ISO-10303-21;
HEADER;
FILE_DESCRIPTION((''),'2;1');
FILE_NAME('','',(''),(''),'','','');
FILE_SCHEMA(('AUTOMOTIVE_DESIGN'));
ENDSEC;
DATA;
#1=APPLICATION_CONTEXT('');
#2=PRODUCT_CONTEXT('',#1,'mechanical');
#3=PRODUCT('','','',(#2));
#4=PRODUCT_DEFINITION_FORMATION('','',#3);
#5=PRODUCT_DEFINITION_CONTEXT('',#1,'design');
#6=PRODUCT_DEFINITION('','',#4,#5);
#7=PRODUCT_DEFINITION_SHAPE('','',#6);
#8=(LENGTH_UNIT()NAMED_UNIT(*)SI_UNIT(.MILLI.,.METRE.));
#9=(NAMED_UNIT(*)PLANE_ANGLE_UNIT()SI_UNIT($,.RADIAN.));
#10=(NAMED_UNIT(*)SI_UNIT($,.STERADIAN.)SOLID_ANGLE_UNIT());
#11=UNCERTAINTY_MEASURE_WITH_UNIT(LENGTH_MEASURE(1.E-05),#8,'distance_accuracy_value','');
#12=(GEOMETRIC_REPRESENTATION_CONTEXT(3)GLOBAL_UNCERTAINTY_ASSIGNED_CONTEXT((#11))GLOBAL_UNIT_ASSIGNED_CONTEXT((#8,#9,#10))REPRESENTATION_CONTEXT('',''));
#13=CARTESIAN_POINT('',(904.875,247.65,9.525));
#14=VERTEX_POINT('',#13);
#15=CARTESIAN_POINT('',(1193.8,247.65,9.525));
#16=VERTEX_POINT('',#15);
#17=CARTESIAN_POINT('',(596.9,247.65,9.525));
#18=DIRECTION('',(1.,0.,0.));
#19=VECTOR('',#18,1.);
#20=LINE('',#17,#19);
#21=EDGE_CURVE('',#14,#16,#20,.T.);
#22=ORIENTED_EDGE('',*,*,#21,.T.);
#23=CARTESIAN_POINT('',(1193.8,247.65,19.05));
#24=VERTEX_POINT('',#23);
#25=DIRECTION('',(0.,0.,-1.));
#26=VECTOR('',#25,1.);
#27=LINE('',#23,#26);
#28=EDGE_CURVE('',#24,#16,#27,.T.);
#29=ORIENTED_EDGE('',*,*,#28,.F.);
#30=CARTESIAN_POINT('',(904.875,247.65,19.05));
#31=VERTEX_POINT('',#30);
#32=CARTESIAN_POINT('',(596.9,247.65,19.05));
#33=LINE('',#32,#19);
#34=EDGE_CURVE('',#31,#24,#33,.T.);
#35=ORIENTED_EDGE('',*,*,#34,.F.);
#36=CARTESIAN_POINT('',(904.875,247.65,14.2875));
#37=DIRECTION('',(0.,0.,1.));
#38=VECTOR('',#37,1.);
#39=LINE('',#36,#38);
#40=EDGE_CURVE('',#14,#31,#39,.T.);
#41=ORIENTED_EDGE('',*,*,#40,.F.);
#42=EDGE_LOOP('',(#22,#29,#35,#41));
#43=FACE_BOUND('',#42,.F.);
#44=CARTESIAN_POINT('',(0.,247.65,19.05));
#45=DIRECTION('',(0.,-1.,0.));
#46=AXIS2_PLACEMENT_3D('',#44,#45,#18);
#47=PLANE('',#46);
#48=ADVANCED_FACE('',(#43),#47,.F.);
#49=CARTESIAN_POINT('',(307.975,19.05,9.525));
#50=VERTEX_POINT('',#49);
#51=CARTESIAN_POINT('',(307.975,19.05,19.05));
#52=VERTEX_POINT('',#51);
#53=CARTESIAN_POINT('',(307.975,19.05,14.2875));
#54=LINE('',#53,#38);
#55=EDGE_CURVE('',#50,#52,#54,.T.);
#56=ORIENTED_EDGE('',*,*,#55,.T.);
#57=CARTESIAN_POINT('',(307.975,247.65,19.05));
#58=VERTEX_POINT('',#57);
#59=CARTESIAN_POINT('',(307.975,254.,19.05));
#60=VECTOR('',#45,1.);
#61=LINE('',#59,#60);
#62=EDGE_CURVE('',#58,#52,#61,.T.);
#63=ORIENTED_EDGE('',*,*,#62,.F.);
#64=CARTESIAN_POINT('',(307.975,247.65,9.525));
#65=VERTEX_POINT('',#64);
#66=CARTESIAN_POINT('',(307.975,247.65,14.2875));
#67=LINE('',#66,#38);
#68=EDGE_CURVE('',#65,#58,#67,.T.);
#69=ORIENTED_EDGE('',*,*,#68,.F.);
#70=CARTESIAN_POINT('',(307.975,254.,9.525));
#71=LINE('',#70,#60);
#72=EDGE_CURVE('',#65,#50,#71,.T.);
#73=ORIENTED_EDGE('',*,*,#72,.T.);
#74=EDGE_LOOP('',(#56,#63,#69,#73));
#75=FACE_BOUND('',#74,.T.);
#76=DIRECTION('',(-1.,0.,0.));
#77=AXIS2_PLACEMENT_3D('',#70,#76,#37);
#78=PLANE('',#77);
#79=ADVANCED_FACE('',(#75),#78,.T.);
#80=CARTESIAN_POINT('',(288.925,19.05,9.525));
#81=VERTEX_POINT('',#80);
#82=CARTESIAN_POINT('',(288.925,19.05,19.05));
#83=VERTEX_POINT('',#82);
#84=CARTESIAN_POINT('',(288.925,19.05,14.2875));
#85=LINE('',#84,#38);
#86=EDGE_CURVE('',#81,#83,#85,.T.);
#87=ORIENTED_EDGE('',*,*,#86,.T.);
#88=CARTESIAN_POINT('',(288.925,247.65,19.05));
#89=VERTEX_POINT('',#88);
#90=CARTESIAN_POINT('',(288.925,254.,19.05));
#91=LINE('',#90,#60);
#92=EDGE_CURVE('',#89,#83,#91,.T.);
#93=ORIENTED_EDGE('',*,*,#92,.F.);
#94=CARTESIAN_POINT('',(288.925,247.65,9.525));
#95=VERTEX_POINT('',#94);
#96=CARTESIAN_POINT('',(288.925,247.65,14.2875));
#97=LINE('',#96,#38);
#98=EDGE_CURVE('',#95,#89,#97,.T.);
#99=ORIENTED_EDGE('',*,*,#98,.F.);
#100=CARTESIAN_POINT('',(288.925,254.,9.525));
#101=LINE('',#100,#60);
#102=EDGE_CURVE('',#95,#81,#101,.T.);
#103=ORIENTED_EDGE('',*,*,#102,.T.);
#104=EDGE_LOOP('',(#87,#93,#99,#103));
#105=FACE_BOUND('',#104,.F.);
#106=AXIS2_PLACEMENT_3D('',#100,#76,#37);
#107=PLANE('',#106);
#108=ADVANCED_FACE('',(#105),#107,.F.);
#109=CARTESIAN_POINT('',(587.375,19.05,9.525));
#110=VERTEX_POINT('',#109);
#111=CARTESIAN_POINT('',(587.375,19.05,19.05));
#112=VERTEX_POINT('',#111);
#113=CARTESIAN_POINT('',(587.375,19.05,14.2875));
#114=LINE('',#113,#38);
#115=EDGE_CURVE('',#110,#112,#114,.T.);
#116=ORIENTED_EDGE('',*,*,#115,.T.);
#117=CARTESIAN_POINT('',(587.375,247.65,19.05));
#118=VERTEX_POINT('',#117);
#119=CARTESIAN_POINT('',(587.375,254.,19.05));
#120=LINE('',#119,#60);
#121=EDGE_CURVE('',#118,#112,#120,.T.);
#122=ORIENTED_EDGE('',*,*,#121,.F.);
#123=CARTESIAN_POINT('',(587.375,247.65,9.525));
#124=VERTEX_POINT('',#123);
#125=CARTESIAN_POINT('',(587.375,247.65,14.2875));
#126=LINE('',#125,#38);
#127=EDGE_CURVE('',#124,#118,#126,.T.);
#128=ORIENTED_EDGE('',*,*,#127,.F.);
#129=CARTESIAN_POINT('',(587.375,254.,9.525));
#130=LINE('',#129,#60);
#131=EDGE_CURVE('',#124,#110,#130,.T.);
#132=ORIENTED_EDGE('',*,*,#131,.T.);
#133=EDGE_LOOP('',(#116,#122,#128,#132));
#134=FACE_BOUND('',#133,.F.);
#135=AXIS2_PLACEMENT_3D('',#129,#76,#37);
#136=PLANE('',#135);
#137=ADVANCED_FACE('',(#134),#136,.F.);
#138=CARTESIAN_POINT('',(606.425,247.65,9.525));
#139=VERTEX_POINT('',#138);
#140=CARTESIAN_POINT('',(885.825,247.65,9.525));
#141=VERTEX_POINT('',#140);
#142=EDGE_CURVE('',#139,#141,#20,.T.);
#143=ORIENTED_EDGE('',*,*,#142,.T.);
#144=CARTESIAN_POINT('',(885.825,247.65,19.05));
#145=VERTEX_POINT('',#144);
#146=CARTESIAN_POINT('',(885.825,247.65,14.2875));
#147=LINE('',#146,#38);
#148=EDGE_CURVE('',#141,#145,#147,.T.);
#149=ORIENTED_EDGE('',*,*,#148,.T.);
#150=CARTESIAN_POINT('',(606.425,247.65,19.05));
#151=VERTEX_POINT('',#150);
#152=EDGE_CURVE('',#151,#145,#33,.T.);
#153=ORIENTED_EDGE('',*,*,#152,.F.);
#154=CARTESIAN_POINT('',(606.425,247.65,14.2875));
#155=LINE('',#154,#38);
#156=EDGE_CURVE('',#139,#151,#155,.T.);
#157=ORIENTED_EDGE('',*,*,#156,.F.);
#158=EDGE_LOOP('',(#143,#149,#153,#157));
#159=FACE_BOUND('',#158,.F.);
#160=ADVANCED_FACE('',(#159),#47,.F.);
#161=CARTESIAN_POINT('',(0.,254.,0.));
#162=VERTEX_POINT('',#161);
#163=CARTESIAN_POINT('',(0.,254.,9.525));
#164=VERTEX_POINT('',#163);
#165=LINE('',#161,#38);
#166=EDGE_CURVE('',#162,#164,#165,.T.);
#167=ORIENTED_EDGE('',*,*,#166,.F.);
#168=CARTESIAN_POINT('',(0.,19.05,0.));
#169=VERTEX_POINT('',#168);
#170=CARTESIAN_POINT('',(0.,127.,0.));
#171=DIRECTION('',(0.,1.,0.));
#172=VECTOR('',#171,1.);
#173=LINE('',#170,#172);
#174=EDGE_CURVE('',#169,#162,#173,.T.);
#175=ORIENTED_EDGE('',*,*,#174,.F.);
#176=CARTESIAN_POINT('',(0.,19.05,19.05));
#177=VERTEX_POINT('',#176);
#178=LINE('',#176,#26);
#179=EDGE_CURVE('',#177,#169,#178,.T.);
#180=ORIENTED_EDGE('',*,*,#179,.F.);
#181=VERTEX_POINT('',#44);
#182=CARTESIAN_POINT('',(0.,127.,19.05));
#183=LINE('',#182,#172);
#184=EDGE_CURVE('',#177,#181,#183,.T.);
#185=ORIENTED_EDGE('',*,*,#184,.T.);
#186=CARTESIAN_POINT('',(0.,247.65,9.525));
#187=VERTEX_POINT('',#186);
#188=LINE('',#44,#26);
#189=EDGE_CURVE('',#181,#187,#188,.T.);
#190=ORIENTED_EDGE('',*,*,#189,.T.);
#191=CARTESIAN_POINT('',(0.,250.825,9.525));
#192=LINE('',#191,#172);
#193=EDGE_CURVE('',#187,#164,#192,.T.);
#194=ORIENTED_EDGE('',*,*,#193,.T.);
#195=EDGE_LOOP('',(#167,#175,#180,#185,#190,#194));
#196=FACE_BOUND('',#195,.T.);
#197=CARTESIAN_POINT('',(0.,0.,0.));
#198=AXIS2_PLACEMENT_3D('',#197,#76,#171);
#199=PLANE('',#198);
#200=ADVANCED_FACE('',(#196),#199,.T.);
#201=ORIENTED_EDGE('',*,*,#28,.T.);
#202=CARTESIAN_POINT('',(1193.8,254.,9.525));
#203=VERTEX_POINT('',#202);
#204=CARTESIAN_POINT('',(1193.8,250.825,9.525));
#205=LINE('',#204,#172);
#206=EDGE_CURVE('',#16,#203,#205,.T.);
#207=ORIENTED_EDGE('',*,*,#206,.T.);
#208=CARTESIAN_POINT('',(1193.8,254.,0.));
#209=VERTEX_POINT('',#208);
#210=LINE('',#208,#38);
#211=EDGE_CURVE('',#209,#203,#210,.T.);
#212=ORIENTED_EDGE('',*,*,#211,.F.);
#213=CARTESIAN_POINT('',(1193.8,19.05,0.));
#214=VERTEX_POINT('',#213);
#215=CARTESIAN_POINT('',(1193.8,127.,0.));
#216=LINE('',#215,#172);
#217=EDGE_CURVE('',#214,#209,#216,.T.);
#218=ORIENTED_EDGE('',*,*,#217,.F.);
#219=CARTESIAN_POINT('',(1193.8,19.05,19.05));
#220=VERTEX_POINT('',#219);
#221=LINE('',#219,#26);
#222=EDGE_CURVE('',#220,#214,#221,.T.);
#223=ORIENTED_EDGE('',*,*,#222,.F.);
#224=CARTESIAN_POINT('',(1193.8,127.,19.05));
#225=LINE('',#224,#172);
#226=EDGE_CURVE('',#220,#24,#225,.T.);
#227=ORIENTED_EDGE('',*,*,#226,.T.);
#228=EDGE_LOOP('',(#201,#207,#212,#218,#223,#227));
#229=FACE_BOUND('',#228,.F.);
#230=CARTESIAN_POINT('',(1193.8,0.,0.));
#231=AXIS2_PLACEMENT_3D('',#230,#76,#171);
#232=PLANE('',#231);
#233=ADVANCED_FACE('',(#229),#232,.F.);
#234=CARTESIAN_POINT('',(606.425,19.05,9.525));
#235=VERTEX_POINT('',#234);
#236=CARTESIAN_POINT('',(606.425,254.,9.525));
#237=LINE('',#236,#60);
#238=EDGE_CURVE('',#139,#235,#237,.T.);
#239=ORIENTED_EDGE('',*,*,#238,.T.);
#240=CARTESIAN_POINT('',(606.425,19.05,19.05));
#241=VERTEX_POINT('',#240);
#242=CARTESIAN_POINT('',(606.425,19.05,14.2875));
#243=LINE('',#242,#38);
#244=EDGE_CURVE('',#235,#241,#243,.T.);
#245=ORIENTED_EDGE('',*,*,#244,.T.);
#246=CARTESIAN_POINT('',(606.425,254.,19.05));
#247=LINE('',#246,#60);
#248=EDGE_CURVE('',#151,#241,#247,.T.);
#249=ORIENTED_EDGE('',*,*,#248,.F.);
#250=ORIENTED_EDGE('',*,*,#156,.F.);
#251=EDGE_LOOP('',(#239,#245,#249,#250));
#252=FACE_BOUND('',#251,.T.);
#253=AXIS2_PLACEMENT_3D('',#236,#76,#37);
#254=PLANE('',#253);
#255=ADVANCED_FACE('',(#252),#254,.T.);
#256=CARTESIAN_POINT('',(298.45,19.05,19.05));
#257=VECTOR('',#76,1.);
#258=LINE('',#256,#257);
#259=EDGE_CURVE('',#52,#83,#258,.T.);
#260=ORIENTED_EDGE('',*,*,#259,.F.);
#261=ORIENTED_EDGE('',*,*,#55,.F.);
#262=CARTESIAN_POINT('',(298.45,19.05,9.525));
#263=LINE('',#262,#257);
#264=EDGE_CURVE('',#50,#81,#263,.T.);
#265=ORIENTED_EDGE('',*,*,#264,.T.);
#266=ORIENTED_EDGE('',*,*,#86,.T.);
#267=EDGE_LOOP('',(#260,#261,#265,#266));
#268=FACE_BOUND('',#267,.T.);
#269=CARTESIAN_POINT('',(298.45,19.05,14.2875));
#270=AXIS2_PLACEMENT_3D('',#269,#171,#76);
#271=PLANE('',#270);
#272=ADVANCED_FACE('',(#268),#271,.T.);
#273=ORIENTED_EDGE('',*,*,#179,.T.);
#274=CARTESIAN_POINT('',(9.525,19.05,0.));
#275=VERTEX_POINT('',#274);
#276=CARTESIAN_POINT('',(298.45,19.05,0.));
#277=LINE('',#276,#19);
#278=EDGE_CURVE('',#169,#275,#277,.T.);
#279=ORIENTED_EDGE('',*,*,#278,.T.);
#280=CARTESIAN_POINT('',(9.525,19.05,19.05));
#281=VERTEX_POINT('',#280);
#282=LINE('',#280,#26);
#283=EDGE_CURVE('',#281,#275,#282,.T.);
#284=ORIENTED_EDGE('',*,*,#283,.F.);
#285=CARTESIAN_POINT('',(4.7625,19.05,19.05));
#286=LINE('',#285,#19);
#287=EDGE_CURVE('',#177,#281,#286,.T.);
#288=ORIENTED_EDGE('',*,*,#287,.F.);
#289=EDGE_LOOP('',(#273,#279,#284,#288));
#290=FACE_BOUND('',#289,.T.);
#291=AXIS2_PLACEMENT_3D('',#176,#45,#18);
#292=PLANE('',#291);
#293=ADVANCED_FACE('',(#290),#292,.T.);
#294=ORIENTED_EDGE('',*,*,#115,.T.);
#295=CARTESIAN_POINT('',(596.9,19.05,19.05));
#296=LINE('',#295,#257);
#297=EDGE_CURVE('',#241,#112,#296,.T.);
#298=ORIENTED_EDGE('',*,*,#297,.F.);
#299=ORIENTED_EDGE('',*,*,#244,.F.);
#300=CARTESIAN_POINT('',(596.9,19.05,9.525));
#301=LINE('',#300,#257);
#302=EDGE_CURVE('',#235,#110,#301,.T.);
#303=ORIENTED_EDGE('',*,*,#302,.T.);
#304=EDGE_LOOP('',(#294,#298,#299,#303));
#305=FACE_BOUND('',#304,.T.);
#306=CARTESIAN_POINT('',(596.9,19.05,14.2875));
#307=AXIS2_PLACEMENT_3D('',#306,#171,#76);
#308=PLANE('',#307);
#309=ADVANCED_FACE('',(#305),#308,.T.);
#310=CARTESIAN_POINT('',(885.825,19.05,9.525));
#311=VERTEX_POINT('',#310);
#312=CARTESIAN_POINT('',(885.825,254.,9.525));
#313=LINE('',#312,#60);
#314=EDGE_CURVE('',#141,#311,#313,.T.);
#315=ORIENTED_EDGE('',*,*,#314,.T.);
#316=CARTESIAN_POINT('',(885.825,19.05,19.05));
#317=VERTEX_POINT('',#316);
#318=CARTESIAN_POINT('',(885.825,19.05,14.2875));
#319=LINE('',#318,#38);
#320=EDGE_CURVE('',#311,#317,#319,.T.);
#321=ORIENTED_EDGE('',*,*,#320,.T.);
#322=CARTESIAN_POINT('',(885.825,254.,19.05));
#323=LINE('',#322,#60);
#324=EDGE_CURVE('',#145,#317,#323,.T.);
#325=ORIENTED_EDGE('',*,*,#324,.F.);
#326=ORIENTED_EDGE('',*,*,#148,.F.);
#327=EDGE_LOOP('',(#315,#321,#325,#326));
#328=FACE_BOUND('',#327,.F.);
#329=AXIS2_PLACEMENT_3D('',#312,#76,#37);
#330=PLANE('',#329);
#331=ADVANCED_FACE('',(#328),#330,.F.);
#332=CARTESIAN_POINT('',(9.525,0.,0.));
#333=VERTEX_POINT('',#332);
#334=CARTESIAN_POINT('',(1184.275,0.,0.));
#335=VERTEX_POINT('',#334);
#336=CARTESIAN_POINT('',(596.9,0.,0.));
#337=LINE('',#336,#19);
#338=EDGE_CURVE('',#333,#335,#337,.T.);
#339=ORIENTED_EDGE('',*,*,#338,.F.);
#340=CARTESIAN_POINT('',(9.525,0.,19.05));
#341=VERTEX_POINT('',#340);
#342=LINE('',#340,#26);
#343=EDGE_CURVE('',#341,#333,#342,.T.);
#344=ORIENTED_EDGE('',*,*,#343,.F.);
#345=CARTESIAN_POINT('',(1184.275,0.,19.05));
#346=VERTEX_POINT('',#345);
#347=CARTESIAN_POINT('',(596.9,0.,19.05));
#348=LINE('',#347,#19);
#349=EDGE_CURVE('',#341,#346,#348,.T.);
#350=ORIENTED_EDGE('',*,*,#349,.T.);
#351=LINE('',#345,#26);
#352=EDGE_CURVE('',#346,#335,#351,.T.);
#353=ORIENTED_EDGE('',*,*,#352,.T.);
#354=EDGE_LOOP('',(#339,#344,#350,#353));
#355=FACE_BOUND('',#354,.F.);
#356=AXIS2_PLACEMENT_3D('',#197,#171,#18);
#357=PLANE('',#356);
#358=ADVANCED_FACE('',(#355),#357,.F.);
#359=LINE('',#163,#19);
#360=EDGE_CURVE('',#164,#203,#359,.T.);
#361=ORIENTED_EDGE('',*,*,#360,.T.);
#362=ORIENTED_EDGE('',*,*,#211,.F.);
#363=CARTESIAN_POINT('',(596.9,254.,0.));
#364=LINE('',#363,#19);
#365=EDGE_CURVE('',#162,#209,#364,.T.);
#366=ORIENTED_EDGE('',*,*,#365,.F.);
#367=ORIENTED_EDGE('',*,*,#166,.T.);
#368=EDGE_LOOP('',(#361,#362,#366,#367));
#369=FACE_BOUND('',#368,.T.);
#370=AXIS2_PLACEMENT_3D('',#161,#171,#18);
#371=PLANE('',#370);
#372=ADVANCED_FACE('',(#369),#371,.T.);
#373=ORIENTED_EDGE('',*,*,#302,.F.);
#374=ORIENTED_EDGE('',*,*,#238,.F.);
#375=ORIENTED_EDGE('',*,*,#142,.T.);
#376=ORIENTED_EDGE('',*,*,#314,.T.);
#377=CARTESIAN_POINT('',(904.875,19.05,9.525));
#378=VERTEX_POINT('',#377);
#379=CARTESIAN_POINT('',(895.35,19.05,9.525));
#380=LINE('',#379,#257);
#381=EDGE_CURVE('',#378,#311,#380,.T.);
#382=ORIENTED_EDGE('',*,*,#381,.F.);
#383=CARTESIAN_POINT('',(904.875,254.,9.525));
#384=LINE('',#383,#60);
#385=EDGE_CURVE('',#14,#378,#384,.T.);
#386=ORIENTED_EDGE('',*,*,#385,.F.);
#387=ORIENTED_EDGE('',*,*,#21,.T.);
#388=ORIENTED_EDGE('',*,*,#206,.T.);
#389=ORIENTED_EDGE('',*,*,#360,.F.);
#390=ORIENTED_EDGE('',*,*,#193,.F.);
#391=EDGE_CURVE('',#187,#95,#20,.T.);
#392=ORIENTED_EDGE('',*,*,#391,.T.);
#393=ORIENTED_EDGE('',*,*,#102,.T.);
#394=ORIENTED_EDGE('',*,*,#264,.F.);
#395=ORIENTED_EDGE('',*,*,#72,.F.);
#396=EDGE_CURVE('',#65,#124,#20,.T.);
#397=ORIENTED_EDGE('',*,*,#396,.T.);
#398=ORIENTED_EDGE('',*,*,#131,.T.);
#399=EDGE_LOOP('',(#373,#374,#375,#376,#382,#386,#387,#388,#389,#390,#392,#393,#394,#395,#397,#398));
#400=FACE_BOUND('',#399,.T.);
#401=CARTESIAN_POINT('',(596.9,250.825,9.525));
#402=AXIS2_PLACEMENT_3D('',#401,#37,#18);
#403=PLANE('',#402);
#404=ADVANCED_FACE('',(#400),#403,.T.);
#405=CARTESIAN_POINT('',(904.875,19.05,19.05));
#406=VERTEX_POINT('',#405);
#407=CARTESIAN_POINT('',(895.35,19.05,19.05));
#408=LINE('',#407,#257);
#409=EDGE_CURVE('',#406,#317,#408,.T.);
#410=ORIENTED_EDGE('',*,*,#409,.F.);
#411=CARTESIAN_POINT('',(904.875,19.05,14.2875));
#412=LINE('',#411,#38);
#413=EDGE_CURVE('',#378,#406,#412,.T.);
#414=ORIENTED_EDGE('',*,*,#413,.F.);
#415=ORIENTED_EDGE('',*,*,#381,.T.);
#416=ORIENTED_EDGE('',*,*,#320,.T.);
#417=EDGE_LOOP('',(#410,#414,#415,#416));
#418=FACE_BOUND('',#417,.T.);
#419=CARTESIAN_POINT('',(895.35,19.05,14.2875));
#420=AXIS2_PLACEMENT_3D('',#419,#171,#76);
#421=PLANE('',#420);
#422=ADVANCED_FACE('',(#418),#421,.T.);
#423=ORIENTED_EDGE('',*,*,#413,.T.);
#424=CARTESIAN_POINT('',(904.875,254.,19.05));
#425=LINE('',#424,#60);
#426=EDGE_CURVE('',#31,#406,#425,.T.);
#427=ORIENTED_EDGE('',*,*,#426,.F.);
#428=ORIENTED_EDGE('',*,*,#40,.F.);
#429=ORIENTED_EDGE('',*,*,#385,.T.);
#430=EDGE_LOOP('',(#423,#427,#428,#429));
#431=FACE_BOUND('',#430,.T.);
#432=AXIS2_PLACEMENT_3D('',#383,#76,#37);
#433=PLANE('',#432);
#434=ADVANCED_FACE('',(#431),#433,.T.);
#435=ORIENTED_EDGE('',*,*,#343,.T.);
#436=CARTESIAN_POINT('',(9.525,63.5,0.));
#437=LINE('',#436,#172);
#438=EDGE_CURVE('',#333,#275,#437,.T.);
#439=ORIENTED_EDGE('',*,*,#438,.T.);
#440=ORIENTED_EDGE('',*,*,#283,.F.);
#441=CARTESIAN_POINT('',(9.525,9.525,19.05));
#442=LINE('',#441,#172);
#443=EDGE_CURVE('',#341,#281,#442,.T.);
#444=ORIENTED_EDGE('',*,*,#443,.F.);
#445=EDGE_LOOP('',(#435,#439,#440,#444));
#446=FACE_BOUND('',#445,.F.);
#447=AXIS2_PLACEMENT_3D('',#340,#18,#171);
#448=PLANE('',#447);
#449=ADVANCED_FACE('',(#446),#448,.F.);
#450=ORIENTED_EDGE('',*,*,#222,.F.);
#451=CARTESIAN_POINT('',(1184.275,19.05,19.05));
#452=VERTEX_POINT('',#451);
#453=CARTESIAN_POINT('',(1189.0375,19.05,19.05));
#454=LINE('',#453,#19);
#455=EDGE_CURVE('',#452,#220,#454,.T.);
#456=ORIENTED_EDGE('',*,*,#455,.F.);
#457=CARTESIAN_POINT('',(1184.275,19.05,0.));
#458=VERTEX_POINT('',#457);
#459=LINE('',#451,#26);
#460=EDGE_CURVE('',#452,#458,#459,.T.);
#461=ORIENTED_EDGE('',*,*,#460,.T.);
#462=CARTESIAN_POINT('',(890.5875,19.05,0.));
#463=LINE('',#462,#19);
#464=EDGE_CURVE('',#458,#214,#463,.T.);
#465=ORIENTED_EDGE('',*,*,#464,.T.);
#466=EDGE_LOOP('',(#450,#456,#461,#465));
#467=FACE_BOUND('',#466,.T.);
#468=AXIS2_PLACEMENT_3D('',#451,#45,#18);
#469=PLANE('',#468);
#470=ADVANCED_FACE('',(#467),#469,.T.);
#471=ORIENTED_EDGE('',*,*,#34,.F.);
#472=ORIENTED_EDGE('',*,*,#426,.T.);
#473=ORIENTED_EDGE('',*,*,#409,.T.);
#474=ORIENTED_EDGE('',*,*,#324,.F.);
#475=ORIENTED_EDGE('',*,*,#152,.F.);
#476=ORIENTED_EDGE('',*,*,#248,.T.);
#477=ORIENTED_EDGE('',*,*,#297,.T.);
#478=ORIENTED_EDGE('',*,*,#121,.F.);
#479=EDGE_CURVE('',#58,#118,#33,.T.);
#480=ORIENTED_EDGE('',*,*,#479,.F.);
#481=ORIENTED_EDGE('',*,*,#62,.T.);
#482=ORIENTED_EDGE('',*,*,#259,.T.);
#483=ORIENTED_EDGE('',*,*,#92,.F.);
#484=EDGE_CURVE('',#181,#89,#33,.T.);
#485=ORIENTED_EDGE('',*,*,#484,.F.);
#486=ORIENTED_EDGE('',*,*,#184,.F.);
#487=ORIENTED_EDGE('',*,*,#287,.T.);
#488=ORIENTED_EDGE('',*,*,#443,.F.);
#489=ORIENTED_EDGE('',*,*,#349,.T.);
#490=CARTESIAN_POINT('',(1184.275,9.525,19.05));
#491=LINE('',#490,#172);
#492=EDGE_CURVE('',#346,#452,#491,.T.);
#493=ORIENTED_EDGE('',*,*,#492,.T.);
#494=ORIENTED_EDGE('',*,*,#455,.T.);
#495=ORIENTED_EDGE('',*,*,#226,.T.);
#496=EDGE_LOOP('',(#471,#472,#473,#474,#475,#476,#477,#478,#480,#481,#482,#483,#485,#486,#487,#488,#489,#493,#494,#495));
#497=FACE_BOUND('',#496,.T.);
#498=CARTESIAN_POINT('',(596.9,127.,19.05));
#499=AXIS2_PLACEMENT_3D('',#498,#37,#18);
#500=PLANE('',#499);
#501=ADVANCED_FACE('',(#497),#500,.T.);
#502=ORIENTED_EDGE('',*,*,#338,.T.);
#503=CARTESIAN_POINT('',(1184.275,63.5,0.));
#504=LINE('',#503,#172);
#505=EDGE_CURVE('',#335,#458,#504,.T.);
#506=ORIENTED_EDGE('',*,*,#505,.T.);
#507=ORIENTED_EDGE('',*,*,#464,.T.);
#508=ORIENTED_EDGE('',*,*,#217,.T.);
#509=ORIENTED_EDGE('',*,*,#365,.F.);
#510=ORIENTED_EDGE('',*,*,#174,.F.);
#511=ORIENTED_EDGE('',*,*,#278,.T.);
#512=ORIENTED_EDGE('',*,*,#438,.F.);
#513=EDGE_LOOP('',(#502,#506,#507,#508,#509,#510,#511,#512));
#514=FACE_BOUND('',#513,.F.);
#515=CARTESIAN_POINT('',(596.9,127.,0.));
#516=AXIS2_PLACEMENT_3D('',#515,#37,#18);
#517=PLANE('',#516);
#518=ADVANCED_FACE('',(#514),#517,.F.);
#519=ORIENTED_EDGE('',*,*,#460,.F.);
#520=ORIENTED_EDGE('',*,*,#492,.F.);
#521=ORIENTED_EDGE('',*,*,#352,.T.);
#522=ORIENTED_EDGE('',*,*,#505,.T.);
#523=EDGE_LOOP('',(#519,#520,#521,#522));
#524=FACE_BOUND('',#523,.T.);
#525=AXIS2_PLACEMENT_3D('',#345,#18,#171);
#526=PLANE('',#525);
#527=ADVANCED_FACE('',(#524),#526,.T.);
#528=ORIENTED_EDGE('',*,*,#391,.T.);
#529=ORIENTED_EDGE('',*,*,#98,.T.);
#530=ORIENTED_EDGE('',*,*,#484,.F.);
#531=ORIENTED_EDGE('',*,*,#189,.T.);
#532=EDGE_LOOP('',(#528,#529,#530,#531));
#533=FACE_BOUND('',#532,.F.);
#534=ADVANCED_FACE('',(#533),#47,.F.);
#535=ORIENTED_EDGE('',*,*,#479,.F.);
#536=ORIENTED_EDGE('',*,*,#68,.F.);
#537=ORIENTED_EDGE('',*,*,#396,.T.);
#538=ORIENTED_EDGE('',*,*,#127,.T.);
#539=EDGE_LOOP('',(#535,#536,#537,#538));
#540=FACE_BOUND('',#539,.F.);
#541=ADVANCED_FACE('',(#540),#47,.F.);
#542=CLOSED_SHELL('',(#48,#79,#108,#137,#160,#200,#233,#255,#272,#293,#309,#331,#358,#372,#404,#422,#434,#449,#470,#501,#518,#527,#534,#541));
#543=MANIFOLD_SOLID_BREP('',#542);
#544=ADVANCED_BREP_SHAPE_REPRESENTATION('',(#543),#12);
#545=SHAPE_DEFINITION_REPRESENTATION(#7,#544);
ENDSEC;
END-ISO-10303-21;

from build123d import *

# Parameters (mm, degrees)
F0_W     = 1193.8
F0_H     = 254
F1_DEPTH = 19.05
F2_W     = 19.05
F2_H     = 9.525
F3_DEPTH = 234.95
F4_W     = 1193.8
F4_H     = 6.35
F5_DEPTH = 9.525
F6_W     = 9.525
F6_H     = 19.05
F7_DEPTH = 25.4


with BuildPart() as f1:
    # F0 (on Top) → F1 (new body)
    with BuildSketch(Plane.XY):
        with Locations((596.9, 127)):
            Rectangle(F0_W, F0_H)
    extrude(amount=F1_DEPTH)

    # F2 (on face) → F3 (cut)
    with BuildSketch(Plane(origin=(0, 254, 0), x_dir=(-1, 0, 0), z_dir=(0, 1, 0))):
        with Locations((-298.45, 14.2875)):
            Rectangle(F2_W, F2_H)
        with Locations((-596.9, 14.2875)):
            Rectangle(F2_W, F2_H)
        with Locations((-895.35, 14.2875)):
            Rectangle(F2_W, F2_H)
    extrude(amount=-F3_DEPTH, mode=Mode.SUBTRACT)

    # F4 (on face) → F5 (cut)
    with BuildSketch(Plane.XY.offset(19.05)):
        with Locations((596.9, 250.825)):
            Rectangle(F4_W, F4_H)
    extrude(amount=-F5_DEPTH, mode=Mode.SUBTRACT)

    # F6 (on face) → F7 (cut)
    with BuildSketch(Plane.XY.offset(19.05)):
        with Locations((4.7625, 9.525)):
            Rectangle(F6_W, F6_H)
        with Locations((1189.0375, 9.525)):
            Rectangle(F6_W, F6_H)
    extrude(amount=-F7_DEPTH, mode=Mode.SUBTRACT)


solid = f1.part
